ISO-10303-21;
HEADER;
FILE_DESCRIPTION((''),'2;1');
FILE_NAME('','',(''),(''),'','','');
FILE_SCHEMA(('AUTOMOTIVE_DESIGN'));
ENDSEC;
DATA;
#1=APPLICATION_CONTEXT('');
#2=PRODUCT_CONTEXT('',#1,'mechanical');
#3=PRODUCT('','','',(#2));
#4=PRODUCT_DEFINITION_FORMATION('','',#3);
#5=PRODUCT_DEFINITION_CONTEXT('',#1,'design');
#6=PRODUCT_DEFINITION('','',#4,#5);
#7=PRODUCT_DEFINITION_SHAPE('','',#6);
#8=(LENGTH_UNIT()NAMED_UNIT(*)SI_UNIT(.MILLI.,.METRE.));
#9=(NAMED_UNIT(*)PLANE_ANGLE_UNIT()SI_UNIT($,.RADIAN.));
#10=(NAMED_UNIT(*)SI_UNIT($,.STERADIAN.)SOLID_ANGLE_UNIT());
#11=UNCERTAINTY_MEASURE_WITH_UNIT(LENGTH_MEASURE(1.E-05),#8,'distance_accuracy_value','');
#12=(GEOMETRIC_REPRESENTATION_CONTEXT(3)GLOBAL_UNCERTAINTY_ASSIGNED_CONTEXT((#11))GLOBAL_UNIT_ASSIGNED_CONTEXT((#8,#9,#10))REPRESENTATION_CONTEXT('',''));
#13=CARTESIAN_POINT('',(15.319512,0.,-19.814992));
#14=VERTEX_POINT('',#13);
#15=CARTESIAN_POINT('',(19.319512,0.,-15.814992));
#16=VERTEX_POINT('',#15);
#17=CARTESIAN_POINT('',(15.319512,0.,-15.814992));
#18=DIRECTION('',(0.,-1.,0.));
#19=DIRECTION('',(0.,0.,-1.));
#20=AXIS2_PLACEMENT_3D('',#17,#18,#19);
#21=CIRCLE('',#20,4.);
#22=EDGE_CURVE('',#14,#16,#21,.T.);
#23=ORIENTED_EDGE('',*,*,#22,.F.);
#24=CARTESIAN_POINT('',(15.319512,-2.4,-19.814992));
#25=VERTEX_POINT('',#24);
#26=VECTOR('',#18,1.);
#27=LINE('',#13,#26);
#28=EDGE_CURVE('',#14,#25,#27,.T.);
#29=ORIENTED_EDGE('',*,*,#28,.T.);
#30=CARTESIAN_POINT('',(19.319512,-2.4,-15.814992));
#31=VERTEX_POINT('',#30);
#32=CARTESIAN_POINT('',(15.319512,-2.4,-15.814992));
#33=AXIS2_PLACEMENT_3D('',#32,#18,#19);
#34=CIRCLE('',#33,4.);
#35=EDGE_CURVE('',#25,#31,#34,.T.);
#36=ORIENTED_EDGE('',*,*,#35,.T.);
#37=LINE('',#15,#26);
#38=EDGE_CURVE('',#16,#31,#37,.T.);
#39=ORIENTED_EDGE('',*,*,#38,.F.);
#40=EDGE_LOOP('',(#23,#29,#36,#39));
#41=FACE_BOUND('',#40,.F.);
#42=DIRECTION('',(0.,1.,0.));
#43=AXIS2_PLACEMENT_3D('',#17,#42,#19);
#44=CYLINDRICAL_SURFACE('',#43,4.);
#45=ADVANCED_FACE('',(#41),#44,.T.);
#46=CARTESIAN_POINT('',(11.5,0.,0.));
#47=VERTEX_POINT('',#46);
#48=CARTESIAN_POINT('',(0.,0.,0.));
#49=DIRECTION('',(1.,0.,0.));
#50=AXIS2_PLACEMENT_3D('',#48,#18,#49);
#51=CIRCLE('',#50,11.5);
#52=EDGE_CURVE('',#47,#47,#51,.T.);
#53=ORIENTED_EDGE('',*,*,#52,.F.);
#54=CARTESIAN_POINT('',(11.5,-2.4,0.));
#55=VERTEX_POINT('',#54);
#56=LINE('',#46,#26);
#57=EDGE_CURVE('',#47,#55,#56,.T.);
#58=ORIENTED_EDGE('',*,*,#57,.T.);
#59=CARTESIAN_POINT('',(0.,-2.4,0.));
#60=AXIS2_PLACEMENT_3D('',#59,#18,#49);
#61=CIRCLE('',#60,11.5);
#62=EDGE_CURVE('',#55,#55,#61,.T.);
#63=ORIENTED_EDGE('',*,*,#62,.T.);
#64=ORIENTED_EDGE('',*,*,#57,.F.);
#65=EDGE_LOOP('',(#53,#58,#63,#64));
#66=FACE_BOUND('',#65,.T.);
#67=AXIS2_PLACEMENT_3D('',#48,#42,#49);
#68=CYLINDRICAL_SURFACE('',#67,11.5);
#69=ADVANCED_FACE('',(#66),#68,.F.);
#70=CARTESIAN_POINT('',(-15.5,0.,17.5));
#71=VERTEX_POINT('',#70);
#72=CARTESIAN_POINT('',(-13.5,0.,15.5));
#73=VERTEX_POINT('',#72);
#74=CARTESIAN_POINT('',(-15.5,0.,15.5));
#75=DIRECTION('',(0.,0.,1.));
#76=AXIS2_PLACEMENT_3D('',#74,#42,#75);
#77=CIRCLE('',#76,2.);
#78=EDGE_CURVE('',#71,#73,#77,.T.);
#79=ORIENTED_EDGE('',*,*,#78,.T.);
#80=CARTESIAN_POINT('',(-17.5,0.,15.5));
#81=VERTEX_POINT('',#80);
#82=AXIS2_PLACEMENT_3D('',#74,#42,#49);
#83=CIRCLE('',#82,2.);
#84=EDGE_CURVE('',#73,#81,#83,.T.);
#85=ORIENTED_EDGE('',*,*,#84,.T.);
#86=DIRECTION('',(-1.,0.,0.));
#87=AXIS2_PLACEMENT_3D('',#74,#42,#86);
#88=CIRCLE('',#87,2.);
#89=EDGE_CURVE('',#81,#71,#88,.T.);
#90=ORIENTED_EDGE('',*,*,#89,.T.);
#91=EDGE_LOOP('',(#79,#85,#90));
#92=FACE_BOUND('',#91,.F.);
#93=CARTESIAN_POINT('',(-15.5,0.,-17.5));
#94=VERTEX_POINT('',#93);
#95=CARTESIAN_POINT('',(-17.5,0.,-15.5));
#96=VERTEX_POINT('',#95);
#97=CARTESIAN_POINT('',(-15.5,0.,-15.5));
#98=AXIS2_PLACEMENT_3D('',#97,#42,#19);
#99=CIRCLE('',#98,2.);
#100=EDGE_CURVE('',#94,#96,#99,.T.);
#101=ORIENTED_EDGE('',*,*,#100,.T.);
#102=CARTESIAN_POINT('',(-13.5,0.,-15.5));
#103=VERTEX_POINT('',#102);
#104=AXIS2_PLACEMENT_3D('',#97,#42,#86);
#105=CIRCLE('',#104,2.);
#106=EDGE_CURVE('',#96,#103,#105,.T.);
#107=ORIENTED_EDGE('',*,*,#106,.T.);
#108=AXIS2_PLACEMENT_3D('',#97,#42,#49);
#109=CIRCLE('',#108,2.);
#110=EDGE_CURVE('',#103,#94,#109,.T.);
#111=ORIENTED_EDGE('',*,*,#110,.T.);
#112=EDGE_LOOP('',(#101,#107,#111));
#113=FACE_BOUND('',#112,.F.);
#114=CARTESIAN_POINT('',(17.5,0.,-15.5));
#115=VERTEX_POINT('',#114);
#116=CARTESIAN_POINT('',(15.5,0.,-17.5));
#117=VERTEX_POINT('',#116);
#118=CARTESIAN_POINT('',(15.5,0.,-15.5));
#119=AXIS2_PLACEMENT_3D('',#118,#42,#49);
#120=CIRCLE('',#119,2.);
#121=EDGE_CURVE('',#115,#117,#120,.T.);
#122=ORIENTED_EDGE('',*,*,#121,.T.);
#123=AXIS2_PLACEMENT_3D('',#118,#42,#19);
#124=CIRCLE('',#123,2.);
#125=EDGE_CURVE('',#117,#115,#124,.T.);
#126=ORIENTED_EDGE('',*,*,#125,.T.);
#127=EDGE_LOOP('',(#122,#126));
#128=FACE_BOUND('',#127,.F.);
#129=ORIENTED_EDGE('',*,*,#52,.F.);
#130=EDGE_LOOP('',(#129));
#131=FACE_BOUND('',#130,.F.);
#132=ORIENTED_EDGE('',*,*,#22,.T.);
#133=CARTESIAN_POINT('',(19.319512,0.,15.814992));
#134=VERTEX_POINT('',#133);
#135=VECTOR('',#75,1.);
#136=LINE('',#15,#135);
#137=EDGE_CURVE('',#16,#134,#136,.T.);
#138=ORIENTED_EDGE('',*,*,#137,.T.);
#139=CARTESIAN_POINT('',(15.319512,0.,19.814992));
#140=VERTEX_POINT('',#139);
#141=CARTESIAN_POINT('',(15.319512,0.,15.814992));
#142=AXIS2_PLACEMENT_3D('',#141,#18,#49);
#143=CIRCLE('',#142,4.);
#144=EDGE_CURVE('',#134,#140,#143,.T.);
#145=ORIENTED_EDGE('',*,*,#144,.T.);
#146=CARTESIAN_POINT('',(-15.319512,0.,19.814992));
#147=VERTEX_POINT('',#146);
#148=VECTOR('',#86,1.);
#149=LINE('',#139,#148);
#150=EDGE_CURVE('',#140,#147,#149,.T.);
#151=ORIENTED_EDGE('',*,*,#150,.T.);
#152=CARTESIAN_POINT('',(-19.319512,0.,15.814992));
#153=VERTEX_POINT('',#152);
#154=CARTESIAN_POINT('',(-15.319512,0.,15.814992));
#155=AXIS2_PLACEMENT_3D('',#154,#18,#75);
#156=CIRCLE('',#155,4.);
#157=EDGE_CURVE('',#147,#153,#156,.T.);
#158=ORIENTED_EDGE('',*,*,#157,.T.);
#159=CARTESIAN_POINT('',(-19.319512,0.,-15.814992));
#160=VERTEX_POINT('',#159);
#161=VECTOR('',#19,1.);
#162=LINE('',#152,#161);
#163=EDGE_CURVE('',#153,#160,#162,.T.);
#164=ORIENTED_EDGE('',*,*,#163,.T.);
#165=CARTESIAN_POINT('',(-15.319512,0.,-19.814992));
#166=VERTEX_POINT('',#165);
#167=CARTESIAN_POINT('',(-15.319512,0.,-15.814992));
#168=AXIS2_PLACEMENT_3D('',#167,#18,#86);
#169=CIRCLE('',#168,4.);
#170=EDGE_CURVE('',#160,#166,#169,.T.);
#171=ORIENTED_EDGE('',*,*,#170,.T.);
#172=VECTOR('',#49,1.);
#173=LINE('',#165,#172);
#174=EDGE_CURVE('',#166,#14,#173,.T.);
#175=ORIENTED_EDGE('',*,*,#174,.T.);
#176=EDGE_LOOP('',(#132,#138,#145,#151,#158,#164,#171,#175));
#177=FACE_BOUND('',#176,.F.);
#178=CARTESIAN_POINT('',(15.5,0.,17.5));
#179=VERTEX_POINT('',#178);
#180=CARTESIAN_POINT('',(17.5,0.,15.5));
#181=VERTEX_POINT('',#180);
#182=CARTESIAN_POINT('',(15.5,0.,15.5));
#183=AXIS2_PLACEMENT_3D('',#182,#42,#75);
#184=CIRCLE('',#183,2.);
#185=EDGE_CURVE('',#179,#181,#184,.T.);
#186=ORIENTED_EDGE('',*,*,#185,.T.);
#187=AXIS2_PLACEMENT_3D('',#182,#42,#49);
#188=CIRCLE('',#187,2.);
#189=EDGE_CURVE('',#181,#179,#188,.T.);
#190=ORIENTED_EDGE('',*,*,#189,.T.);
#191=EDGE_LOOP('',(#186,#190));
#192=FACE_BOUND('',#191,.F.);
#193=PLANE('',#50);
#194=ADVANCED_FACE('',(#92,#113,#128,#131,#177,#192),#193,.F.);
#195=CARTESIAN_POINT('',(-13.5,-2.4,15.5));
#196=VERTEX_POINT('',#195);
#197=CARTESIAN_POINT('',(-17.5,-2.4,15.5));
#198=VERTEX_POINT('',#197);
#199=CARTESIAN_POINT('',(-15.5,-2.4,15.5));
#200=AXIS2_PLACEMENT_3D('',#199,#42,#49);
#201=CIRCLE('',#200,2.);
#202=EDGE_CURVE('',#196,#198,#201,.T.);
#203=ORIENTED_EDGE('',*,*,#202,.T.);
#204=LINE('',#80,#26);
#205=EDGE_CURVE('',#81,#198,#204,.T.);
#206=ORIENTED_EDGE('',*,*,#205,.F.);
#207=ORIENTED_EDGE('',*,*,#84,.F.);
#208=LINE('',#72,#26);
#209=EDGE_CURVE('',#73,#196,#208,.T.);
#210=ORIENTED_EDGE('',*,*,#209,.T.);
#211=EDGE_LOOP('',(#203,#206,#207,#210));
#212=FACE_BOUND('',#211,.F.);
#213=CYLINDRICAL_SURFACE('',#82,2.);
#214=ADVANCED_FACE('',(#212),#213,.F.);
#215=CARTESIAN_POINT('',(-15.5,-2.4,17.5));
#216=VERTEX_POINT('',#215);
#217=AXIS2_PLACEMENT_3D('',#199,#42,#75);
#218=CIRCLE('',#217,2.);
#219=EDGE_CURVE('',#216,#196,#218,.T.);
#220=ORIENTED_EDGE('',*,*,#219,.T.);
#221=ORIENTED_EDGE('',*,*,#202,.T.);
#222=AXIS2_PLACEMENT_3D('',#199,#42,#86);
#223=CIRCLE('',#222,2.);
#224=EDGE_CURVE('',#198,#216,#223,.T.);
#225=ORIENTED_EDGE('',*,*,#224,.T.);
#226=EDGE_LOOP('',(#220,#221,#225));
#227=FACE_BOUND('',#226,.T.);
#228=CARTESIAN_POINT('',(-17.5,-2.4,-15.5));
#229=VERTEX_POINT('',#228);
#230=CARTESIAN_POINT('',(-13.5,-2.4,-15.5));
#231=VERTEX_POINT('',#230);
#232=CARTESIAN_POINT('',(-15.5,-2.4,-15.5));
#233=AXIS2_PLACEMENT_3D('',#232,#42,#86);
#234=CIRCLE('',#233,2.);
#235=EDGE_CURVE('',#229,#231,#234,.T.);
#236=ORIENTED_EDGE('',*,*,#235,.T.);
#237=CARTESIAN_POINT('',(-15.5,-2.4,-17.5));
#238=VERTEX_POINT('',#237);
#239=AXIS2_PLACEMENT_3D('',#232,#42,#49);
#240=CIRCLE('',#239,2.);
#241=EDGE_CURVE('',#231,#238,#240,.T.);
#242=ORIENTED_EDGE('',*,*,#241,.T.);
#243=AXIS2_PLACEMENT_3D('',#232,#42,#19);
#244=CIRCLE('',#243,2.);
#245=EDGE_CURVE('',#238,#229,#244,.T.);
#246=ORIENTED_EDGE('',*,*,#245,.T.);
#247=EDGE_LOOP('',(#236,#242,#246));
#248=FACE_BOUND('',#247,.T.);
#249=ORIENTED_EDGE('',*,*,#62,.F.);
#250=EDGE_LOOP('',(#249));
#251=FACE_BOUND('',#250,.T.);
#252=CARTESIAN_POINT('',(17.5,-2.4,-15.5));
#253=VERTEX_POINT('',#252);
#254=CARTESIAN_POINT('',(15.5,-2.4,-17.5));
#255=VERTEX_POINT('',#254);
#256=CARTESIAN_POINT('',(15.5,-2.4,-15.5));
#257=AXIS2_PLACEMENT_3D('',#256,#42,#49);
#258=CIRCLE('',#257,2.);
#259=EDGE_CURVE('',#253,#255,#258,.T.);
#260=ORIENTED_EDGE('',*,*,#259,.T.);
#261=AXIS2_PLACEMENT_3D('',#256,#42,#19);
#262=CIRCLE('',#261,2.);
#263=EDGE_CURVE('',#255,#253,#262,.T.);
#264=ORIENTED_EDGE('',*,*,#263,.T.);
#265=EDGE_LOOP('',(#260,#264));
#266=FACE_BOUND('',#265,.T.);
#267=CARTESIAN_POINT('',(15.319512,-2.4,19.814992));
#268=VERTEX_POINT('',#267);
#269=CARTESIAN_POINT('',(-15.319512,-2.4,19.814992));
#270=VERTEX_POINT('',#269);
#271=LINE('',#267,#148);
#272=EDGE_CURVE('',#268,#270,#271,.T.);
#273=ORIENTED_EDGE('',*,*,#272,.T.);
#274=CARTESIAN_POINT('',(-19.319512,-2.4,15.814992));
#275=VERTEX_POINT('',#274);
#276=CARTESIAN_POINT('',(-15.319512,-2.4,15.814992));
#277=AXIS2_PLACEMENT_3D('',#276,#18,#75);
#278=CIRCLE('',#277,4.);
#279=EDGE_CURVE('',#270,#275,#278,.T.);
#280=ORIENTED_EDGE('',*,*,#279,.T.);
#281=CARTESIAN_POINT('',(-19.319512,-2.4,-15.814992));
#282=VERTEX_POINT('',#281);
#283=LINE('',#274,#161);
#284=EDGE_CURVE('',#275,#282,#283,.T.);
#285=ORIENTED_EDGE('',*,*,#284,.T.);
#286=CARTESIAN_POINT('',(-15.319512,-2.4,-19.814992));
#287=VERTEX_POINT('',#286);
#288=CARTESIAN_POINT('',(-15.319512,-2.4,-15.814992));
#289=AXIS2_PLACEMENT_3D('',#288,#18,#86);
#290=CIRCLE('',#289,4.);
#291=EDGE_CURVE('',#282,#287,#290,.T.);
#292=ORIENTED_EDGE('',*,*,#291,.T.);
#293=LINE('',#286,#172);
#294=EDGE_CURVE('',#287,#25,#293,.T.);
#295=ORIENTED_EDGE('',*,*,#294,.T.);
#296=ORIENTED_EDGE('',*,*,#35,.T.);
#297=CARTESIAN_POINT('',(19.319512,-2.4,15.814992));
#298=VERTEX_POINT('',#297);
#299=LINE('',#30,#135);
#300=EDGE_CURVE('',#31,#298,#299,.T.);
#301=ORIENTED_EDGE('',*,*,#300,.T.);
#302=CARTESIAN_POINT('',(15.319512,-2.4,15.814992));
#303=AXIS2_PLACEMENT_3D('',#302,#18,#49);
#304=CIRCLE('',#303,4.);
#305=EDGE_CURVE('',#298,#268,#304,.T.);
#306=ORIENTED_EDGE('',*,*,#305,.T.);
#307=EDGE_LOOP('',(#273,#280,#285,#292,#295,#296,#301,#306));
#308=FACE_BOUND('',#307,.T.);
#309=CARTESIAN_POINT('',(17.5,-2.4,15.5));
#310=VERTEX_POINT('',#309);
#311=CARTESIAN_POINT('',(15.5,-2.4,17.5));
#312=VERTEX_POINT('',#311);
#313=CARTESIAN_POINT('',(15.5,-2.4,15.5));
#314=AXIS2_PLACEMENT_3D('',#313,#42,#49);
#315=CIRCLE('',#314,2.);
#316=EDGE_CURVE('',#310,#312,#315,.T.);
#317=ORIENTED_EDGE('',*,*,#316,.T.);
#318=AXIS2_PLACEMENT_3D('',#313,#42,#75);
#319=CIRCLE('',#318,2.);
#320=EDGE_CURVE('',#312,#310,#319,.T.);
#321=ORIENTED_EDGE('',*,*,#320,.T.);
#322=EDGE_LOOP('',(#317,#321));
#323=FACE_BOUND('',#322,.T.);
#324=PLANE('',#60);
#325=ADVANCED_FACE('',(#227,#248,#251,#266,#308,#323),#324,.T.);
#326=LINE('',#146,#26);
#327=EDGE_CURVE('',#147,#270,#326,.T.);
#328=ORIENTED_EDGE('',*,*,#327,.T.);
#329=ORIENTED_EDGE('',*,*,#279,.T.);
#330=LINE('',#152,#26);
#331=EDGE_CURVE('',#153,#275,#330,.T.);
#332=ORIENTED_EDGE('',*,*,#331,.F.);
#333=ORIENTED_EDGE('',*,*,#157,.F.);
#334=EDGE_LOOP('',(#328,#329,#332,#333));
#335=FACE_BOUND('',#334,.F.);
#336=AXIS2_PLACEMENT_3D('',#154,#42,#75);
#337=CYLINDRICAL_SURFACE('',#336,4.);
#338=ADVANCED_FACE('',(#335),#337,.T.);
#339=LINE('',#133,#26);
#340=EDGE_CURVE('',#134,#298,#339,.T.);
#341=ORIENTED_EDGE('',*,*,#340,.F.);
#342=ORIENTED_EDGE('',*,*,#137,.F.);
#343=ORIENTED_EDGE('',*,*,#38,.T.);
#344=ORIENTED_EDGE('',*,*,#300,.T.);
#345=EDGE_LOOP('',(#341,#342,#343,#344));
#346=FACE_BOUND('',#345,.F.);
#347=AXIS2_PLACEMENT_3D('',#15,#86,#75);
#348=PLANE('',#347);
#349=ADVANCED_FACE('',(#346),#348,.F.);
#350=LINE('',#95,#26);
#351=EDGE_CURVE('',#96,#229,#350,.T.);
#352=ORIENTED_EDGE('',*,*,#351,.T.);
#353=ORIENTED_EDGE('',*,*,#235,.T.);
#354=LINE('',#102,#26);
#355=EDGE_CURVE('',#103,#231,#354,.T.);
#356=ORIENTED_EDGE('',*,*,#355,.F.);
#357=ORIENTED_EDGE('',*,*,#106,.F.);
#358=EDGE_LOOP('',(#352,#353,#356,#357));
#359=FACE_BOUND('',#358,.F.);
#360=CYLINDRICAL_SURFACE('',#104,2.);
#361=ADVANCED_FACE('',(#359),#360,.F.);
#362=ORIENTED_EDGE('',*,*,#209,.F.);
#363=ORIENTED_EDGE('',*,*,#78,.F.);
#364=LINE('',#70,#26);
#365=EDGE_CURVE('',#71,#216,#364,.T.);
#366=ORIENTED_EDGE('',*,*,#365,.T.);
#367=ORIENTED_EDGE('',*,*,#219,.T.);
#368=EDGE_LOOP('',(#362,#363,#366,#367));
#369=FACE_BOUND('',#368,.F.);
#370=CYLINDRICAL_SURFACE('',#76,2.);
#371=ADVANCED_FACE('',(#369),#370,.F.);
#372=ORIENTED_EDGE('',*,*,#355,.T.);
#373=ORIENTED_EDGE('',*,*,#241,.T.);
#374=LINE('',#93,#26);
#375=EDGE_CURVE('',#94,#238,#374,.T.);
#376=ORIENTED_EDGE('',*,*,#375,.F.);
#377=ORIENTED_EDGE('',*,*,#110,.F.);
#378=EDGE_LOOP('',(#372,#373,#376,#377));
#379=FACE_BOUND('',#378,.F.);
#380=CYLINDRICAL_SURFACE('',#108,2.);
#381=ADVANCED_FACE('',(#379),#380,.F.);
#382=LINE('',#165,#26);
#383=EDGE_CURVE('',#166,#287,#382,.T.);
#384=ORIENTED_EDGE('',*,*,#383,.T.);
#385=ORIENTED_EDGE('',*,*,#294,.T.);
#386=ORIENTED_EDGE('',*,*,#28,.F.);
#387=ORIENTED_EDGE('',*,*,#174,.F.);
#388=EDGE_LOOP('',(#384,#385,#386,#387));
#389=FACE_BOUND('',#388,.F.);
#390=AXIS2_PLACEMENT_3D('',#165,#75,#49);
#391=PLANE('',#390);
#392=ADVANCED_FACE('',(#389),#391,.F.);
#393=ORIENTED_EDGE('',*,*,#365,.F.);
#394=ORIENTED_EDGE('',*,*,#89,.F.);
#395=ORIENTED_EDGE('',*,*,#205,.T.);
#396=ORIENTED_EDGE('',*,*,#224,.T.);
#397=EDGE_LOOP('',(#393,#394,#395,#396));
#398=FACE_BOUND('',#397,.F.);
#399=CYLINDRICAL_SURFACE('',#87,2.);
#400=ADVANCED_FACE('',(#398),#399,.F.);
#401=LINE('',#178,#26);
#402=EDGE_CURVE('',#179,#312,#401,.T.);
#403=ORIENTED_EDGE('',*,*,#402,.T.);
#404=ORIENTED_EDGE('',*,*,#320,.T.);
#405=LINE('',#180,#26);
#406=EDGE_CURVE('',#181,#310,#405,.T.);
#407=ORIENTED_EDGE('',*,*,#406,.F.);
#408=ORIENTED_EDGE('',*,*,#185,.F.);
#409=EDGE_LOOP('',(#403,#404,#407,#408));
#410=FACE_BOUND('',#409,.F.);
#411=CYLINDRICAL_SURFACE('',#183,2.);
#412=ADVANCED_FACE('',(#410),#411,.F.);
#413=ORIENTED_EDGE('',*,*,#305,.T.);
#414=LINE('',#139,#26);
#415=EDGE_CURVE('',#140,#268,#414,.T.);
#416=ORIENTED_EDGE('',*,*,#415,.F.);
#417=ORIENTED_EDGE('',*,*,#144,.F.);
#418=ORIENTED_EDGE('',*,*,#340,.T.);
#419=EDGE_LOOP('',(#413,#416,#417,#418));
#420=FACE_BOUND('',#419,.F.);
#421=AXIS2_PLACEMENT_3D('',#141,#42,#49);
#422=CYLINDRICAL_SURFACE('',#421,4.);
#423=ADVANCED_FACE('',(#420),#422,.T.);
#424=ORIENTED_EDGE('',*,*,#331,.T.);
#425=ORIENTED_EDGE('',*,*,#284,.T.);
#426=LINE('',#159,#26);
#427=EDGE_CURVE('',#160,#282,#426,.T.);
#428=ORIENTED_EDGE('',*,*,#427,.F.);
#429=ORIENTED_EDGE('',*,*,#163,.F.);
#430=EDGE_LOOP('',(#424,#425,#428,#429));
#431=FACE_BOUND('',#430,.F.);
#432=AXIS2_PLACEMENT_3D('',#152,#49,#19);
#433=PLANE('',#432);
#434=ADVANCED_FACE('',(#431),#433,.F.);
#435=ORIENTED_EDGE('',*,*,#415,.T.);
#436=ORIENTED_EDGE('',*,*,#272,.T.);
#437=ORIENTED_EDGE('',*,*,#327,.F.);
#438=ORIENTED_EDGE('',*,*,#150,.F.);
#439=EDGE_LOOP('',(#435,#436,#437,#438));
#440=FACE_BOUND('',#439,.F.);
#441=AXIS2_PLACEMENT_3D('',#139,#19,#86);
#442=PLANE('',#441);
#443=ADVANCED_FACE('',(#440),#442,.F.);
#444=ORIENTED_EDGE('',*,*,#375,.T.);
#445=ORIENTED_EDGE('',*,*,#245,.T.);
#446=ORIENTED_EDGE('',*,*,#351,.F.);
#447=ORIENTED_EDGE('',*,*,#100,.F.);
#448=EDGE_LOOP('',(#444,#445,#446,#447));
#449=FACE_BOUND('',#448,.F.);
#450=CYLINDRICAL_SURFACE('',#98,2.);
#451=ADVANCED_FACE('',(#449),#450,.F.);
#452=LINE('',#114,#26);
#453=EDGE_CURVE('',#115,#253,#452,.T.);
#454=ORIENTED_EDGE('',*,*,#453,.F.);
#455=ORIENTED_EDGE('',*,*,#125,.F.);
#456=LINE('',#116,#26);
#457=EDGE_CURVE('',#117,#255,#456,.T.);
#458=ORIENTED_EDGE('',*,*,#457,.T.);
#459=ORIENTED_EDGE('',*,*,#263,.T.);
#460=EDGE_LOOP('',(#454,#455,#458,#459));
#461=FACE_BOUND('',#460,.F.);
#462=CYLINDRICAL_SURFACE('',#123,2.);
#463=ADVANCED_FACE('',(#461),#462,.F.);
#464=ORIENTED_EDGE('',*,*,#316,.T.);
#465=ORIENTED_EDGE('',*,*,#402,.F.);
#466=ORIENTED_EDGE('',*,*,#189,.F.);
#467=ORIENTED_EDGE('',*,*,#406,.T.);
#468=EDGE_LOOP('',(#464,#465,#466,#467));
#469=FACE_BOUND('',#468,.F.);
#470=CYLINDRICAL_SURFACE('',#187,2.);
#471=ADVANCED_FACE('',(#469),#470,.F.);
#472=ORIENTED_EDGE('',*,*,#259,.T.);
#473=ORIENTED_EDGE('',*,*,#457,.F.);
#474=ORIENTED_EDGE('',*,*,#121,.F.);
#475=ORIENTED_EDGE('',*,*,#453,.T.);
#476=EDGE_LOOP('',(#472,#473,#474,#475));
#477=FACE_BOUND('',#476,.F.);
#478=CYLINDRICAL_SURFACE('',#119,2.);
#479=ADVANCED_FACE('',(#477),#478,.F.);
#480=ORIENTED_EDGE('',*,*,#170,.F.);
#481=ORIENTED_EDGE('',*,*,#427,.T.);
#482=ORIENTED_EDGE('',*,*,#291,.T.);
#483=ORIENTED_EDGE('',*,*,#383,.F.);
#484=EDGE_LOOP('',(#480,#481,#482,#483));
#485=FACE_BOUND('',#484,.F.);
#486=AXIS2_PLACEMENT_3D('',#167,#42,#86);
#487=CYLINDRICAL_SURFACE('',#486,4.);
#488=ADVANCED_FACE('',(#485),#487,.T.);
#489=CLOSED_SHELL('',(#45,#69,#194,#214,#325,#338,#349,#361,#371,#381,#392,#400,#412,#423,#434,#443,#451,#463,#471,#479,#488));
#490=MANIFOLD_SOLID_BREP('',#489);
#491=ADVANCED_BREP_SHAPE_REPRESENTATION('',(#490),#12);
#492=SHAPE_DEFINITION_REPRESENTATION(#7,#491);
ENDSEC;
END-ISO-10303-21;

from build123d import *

# Parameters (mm, degrees)
F0_R     = 11.5
F1_DEPTH = 2.4


with BuildPart() as f1:
    # F0 (on Front) → F1 (new body)
    with BuildSketch(Plane.XZ):
        with BuildLine():
            Line((15.31951195, 19.8149923235), (-15.31951195, 19.8149923235))
            ThreePointArc((-15.31951195, 19.8149923235), (-18.1479390748, 18.6434194483), (-19.31951195, 15.8149923235))
            Line((-19.31951195, 15.8149923235), (-19.31951195, -15.8149923235))
            ThreePointArc((-19.31951195, -15.8149923235), (-18.1479390748, -18.6434194483), (-15.31951195, -19.8149923235))
            Line((-15.31951195, -19.8149923235), (15.31951195, -19.8149923235))
            ThreePointArc((15.31951195, -19.8149923235), (18.1479390748, -18.6434194483), (19.31951195, -15.8149923235))
            Line((19.31951195, -15.8149923235), (19.31951195, 15.8149923235))
            ThreePointArc((19.31951195, 15.8149923235), (18.1479390748, 18.6434194483), (15.31951195, 19.8149923235))
        make_face()
        with BuildLine():
            ThreePointArc((-17.5, 15.5), (-16.9142135624, 16.9142135624), (-15.5, 17.5))
            Line((-15.5, 17.5), (15.5, 17.5))
            ThreePointArc((15.5, 17.5), (16.9142135624, 16.9142135624), (17.5, 15.5))
            Line((17.5, 15.5), (17.5, -15.5))
            ThreePointArc((17.5, -15.5), (16.9142135624, -16.9142135624), (15.5, -17.5))
            Line((15.5, -17.5), (-15.5, -17.5))
            ThreePointArc((-15.5, -17.5), (-16.9142135624, -16.9142135624), (-17.5, -15.5))
            Line((-17.5, -15.5), (-17.5, 15.5))
        make_face(mode=Mode.SUBTRACT)
        with BuildLine():
            ThreePointArc((-15.5, 17.5), (-14.0857864376, 16.9142135624), (-13.5, 15.5))
            ThreePointArc((-13.5, 15.5), (-15.5, 13.5), (-17.5, 15.5))
            Line((-17.5, 15.5), (-17.5, -15.5))
            ThreePointArc((-17.5, -15.5), (-15.5, -13.5), (-13.5, -15.5))
            ThreePointArc((-13.5, -15.5), (-14.0857864376, -16.9142135624), (-15.5, -17.5))
            Line((-15.5, -17.5), (15.5, -17.5))
            ThreePointArc((15.5, -17.5), (14.0857864376, -14.0857864376), (17.5, -15.5))
            Line((17.5, -15.5), (17.5, 15.5))
            ThreePointArc((17.5, 15.5), (14.0857864376, 14.0857864376), (15.5, 17.5))
            Line((15.5, 17.5), (-15.5, 17.5))
        make_face()
        Circle(F0_R, mode=Mode.SUBTRACT)
    extrude(amount=F1_DEPTH)


solid = f1.part
